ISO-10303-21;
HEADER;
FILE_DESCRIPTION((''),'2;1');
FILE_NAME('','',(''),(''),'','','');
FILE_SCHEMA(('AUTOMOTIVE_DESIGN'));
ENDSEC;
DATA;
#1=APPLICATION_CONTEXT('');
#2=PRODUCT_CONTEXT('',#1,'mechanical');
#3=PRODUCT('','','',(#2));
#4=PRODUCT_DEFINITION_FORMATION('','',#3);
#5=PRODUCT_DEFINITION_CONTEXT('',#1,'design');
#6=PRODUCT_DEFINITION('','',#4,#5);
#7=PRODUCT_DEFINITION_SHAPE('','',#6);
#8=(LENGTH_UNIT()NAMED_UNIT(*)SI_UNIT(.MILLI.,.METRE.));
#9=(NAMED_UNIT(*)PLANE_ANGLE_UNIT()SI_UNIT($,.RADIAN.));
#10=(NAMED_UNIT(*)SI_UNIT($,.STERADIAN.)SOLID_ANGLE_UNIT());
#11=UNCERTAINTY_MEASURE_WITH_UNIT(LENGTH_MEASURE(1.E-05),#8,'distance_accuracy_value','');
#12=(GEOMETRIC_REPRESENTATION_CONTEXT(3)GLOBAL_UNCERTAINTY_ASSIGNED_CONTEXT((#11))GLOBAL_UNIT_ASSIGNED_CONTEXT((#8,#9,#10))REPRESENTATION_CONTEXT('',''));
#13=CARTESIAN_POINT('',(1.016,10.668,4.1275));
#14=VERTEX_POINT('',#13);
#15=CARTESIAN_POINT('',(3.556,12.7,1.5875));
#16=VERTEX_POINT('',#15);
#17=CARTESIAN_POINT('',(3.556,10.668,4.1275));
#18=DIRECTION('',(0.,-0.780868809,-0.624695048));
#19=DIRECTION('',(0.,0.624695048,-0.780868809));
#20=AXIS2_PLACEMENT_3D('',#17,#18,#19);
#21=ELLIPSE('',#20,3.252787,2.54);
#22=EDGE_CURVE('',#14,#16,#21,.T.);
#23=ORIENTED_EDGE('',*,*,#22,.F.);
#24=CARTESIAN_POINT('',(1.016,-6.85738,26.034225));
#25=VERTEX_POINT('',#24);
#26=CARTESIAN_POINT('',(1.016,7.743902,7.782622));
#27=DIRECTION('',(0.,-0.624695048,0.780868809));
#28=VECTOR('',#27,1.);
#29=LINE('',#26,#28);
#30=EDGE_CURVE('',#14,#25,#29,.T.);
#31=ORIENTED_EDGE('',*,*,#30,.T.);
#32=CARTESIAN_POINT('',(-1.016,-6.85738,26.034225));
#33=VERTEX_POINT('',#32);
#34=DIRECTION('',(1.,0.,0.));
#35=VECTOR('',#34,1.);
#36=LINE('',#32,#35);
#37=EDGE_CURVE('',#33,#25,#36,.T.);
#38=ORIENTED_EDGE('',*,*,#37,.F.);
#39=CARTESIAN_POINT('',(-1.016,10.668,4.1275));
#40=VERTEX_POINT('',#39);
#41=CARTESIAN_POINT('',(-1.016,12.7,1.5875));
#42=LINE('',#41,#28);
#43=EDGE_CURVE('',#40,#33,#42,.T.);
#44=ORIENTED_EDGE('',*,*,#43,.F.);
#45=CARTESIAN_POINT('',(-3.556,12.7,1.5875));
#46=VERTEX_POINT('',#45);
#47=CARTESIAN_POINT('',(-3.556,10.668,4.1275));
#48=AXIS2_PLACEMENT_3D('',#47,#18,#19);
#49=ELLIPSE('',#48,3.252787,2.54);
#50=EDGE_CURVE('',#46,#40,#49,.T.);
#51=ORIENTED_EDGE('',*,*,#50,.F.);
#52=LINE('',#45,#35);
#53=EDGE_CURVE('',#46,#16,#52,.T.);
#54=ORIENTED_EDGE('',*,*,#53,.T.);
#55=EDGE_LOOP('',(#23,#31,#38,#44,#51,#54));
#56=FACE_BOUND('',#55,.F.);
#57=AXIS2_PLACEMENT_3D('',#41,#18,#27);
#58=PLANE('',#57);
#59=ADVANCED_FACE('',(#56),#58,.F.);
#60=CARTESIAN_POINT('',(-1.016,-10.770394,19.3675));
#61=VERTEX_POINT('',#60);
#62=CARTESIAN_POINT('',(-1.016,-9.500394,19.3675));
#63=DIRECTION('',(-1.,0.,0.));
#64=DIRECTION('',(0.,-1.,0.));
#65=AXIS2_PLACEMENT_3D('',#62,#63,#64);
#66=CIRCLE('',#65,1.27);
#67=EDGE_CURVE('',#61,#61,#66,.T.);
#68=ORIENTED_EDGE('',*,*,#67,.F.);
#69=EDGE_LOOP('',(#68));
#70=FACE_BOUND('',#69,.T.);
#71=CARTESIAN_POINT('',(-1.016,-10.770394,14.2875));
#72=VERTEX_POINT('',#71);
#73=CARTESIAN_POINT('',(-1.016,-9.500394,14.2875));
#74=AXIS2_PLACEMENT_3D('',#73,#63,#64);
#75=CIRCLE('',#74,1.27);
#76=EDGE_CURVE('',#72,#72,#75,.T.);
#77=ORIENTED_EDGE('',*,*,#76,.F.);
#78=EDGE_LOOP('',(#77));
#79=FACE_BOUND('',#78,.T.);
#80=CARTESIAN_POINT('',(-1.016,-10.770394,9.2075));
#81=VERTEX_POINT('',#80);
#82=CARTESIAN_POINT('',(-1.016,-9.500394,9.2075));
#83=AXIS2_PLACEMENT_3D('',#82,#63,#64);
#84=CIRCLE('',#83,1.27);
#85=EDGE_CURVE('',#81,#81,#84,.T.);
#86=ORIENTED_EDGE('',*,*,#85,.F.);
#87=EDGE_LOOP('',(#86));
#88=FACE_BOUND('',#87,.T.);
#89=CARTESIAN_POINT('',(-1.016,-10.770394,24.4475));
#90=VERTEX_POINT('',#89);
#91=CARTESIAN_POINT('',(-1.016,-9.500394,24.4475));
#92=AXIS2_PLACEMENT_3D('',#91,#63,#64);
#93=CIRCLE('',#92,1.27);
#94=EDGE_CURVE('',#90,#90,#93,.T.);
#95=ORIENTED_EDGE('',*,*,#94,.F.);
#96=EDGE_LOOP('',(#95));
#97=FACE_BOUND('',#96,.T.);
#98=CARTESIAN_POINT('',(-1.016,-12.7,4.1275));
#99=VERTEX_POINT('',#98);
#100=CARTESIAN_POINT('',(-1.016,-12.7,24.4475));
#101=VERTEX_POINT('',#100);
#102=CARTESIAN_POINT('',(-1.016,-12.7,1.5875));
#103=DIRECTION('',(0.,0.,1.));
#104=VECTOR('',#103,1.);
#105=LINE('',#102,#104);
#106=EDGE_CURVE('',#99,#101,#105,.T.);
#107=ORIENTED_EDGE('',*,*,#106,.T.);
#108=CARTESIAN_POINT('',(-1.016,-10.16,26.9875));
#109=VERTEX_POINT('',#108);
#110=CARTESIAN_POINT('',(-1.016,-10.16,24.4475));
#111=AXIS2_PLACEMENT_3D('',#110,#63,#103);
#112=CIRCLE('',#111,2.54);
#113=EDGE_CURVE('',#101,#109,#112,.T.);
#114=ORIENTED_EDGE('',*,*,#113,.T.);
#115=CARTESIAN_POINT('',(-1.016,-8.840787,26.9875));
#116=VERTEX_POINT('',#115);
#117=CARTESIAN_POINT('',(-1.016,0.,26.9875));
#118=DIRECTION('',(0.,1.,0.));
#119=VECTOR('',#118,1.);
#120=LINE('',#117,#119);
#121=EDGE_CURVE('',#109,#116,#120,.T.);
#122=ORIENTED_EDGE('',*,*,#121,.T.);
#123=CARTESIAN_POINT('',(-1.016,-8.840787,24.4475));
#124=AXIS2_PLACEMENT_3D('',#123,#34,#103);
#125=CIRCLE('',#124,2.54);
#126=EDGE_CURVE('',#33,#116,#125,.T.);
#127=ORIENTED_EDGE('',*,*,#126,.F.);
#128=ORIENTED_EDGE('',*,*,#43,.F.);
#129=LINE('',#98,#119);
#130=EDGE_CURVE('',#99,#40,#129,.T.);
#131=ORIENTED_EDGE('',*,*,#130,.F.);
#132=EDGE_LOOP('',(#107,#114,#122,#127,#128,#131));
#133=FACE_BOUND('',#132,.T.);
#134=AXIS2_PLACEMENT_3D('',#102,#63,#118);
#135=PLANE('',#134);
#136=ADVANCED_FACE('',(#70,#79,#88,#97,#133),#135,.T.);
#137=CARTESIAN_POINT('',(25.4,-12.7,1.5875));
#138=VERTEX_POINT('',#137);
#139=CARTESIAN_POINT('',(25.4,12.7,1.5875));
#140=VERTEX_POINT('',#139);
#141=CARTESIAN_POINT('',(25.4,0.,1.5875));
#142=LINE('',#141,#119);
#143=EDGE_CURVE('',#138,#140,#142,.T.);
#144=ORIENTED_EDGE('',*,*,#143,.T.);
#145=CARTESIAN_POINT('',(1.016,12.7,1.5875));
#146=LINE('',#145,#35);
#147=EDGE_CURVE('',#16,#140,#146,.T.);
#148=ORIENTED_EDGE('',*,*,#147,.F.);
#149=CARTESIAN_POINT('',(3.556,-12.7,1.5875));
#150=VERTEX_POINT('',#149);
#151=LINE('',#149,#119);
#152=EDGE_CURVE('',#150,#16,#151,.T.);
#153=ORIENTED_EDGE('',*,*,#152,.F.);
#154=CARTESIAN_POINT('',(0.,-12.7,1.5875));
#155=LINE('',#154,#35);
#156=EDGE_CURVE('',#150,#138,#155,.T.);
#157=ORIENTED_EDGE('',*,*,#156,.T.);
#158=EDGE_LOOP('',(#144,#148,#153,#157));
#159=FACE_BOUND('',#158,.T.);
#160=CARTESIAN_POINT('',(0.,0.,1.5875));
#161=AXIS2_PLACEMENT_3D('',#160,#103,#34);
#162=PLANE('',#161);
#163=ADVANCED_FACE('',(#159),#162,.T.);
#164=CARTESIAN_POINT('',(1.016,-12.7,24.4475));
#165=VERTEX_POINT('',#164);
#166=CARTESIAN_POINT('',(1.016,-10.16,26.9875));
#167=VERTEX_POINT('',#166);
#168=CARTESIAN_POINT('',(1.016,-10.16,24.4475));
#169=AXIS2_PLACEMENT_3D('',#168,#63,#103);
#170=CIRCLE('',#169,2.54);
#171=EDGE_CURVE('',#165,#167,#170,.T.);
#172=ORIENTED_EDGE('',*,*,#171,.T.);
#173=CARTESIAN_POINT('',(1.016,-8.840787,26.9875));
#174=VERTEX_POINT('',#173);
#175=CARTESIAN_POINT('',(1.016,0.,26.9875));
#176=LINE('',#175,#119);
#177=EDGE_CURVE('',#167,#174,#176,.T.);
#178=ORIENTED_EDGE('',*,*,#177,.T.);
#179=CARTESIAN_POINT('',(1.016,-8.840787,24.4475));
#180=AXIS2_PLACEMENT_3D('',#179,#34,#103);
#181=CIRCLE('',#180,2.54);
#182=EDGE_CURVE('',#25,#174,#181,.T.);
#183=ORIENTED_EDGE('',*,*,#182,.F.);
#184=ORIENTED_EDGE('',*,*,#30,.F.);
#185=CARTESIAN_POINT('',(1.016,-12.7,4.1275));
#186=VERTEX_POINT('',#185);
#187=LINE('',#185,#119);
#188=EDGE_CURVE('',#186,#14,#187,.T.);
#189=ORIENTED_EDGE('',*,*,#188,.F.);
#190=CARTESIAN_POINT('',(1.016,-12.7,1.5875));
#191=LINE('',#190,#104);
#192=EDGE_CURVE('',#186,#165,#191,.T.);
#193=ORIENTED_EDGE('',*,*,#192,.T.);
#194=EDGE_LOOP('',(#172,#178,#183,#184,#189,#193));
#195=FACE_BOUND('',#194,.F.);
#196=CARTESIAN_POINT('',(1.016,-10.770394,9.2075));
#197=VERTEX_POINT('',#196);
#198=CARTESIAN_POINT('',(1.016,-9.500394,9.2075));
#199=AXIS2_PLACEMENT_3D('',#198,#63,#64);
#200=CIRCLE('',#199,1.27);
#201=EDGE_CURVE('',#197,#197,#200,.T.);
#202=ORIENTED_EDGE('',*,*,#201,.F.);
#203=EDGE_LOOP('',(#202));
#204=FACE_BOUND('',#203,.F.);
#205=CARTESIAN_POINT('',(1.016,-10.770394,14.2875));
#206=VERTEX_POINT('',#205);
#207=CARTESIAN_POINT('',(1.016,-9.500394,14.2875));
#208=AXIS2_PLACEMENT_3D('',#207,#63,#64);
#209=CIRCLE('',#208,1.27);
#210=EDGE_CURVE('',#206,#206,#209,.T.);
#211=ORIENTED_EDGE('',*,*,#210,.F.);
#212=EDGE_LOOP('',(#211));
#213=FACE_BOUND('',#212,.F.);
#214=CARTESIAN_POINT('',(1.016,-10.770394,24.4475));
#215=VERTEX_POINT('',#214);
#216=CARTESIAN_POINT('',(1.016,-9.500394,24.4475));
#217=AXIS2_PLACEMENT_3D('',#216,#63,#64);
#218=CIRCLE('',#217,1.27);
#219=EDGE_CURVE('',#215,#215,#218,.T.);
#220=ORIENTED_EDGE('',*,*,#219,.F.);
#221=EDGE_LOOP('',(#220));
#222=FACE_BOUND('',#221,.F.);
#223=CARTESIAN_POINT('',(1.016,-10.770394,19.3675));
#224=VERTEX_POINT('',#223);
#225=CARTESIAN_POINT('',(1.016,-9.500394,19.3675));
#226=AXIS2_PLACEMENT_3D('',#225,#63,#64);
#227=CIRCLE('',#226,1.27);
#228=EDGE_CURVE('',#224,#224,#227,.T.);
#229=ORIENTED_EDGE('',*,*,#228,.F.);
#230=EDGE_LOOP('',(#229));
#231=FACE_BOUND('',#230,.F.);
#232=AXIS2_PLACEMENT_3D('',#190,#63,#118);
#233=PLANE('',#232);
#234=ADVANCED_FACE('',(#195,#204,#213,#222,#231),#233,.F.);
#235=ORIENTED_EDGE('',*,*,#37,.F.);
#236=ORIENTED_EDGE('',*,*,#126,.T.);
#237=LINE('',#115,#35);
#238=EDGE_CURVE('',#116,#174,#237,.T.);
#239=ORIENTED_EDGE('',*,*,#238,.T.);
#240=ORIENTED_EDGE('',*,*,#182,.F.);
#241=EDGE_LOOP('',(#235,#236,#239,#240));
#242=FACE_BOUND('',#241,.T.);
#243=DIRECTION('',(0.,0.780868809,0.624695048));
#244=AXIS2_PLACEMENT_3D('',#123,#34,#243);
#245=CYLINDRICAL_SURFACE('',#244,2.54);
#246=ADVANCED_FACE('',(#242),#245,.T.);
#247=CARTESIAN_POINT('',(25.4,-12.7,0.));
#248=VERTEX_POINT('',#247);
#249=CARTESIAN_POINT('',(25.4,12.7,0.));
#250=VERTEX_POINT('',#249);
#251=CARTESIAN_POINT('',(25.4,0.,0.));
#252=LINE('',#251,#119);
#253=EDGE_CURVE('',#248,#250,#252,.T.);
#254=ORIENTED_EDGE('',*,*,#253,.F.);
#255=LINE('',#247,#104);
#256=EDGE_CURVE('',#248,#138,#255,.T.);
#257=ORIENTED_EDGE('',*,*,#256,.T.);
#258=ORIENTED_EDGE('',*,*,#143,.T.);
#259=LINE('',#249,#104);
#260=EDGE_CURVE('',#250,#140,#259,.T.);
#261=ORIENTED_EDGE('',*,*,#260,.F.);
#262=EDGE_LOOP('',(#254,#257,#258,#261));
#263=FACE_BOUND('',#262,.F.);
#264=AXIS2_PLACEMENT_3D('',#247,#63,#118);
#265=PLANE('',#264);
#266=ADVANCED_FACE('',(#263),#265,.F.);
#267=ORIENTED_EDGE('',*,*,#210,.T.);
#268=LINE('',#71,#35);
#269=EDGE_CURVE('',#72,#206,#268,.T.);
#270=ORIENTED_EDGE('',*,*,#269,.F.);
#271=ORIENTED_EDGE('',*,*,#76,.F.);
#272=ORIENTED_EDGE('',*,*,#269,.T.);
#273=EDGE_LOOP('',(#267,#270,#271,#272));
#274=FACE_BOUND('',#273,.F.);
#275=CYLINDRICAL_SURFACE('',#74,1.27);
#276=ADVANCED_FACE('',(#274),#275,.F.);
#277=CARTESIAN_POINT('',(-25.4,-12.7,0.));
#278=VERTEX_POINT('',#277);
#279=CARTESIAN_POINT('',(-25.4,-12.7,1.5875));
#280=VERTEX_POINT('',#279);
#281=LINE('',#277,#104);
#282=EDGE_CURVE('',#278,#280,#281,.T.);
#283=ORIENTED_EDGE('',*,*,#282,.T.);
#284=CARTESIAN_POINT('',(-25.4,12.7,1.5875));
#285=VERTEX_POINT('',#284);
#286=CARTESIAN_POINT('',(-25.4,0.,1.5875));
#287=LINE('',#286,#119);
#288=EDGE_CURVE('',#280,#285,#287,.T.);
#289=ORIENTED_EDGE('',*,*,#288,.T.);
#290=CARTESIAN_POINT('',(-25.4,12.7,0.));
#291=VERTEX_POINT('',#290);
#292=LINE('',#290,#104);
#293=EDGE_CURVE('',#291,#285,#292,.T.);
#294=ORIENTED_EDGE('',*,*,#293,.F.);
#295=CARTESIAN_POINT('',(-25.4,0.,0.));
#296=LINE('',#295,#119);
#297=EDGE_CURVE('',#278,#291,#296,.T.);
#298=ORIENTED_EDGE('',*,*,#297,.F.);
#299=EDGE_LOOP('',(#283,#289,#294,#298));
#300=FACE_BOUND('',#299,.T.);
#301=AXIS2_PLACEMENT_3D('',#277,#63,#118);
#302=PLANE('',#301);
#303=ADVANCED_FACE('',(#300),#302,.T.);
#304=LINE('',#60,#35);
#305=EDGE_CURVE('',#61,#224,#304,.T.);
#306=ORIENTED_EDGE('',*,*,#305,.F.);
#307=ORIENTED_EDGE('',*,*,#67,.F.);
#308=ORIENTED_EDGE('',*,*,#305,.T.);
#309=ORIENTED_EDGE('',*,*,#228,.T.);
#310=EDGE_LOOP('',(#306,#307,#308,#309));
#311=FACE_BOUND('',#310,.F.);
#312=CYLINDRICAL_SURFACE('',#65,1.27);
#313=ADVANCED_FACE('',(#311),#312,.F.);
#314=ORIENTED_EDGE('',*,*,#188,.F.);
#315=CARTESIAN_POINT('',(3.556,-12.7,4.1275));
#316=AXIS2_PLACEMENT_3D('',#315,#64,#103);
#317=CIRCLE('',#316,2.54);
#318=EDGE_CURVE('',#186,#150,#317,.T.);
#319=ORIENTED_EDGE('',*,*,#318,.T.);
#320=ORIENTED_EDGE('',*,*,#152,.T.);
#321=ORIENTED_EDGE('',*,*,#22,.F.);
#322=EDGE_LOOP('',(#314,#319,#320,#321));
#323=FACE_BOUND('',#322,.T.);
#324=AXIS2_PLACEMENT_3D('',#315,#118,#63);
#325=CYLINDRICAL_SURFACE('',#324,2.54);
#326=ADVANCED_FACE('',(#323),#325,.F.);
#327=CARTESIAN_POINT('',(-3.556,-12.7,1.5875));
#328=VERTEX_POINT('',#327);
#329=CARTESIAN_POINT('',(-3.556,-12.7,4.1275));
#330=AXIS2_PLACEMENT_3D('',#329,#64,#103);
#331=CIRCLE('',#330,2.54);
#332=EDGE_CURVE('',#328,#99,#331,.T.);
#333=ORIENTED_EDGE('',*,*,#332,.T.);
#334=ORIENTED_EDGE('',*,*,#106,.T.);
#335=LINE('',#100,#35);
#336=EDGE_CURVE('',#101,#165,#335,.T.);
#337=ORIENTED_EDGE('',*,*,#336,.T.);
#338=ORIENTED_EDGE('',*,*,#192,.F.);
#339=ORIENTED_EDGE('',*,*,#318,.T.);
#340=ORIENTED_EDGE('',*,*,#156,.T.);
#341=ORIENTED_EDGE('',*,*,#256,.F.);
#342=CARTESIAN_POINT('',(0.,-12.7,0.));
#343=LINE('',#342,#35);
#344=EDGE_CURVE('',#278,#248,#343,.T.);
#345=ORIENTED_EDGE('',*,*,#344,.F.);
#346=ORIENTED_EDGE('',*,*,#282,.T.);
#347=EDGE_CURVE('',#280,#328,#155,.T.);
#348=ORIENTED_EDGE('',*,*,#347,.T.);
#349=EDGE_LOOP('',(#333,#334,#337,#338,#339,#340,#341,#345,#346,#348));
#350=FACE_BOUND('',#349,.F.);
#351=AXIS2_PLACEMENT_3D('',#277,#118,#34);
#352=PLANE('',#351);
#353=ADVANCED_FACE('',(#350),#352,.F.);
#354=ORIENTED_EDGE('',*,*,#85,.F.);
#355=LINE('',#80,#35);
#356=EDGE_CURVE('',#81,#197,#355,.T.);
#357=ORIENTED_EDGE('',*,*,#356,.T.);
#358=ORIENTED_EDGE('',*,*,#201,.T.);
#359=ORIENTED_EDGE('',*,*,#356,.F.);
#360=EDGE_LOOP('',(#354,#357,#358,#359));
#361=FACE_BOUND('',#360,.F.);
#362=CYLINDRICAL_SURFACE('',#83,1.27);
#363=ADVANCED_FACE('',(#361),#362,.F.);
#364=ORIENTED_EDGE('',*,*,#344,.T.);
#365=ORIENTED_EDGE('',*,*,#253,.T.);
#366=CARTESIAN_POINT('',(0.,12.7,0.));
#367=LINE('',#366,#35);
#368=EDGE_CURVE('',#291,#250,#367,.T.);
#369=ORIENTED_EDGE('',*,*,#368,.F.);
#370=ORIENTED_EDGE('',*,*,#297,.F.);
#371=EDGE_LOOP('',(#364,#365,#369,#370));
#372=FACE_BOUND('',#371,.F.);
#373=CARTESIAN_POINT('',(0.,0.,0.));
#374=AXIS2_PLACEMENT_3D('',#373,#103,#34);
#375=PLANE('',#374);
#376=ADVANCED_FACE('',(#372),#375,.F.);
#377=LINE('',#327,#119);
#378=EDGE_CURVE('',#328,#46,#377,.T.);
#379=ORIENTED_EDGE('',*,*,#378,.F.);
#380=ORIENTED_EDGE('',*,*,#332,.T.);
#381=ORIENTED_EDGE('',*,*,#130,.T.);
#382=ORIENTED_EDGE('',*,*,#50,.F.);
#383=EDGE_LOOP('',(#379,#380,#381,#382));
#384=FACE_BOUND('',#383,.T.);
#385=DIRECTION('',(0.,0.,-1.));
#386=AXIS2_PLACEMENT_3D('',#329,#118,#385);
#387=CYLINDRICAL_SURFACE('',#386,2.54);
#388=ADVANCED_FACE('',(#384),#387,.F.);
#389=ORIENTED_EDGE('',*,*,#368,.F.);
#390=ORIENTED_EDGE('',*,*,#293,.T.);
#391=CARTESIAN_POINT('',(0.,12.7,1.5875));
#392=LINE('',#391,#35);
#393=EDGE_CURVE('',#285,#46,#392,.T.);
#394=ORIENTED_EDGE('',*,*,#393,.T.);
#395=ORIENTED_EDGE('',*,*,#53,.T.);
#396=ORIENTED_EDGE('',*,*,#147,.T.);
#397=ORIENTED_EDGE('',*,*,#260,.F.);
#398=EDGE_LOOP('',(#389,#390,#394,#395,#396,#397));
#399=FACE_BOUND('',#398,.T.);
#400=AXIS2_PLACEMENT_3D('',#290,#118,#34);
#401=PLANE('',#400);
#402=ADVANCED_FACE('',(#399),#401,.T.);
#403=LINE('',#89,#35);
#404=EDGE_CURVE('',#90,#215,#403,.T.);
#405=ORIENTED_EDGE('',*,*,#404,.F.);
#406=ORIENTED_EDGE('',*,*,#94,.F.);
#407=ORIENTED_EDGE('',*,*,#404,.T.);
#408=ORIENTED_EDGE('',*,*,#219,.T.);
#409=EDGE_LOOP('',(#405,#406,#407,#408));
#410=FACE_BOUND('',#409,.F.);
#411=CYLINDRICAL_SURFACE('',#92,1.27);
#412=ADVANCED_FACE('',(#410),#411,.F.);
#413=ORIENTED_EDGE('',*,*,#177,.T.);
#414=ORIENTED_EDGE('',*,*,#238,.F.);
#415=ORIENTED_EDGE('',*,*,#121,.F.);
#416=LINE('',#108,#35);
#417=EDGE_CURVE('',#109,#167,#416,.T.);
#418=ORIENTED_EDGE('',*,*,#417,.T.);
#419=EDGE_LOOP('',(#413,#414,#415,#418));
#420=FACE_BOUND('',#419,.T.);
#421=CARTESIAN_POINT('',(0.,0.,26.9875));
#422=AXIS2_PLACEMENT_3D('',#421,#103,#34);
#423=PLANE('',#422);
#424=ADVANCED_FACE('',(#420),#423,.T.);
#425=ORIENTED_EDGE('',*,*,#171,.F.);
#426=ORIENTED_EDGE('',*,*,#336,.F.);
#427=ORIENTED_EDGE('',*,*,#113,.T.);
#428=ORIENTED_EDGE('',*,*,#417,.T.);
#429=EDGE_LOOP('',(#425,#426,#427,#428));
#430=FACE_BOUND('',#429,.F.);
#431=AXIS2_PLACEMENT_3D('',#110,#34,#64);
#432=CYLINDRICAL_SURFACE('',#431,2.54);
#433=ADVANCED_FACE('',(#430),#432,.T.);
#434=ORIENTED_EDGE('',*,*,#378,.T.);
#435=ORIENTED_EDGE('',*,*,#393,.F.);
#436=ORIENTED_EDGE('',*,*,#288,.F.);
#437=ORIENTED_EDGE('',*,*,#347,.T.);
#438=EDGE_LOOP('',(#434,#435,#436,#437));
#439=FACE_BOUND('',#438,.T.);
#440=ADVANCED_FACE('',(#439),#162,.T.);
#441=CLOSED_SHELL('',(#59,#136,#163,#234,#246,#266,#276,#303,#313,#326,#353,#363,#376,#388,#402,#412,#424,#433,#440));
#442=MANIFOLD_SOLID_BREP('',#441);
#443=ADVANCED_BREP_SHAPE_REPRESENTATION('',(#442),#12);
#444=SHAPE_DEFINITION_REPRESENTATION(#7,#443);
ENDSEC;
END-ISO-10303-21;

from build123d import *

# Parameters (mm, degrees)
F0_W     = 50.8
F0_H     = 25.4
F1_DEPTH = 1.5875
F2_W     = 2.032
F2_H     = 25.4
F3_DEPTH = 25.4
F5_DEPTH = 25.4
F6_R     = 2.54
F7_R     = 2.54
F8_R     = 1.27
F9_DEPTH = 25.4


with BuildPart() as f1:
    # F0 (on Top) → F1 (new body)
    with BuildSketch(Plane.XY):
        Rectangle(F0_W, F0_H)
    extrude(amount=F1_DEPTH)

    # F2 (on face) → F3 (join)
    with BuildSketch(Plane.XY.offset(1.5875)):
        Rectangle(F2_W, F2_H)
    extrude(amount=F3_DEPTH)

    # F4 (on face) → F5 (cut)
    with BuildSketch(Plane(origin=(-1.016, 0, 0), x_dir=(0, -1, 0), z_dir=(-1, 0, 0))):
        Polygon((-12.7, 26.9875), (-12.7, 1.5875), (7.62, 26.9875), align=None)
    extrude(amount=-F5_DEPTH, mode=Mode.SUBTRACT)

    # F6
    f6_edges = [f1.edges().sort_by_distance(p)[0] for p in [
        (-1.016, 0, 1.5875),
        (1.016, 0, 1.5875),
    ]]
    fillet(f6_edges, radius=F6_R)

    # F7
    f7_edges = [f1.edges().sort_by_distance(p)[0] for p in [
        (0, -7.62, 26.9875),
        (0, -12.7, 26.9875),
    ]]
    fillet(f7_edges, radius=F7_R)

    # F8 (on face) → F9 (cut)
    with BuildSketch(Plane(origin=(-1.016, 0, 0), x_dir=(0, -1, 0), z_dir=(-1, 0, 0))):
        with Locations((9.5003935563, 24.4475)):
            Circle(F8_R)
        with Locations((9.5003935563, 19.3675)):
            Circle(F8_R)
        with Locations((9.5003935563, 14.2875)):
            Circle(F8_R)
        with Locations((9.5003935563, 9.2075)):
            Circle(F8_R)
    extrude(amount=-F9_DEPTH, mode=Mode.SUBTRACT)


solid = f1.part
